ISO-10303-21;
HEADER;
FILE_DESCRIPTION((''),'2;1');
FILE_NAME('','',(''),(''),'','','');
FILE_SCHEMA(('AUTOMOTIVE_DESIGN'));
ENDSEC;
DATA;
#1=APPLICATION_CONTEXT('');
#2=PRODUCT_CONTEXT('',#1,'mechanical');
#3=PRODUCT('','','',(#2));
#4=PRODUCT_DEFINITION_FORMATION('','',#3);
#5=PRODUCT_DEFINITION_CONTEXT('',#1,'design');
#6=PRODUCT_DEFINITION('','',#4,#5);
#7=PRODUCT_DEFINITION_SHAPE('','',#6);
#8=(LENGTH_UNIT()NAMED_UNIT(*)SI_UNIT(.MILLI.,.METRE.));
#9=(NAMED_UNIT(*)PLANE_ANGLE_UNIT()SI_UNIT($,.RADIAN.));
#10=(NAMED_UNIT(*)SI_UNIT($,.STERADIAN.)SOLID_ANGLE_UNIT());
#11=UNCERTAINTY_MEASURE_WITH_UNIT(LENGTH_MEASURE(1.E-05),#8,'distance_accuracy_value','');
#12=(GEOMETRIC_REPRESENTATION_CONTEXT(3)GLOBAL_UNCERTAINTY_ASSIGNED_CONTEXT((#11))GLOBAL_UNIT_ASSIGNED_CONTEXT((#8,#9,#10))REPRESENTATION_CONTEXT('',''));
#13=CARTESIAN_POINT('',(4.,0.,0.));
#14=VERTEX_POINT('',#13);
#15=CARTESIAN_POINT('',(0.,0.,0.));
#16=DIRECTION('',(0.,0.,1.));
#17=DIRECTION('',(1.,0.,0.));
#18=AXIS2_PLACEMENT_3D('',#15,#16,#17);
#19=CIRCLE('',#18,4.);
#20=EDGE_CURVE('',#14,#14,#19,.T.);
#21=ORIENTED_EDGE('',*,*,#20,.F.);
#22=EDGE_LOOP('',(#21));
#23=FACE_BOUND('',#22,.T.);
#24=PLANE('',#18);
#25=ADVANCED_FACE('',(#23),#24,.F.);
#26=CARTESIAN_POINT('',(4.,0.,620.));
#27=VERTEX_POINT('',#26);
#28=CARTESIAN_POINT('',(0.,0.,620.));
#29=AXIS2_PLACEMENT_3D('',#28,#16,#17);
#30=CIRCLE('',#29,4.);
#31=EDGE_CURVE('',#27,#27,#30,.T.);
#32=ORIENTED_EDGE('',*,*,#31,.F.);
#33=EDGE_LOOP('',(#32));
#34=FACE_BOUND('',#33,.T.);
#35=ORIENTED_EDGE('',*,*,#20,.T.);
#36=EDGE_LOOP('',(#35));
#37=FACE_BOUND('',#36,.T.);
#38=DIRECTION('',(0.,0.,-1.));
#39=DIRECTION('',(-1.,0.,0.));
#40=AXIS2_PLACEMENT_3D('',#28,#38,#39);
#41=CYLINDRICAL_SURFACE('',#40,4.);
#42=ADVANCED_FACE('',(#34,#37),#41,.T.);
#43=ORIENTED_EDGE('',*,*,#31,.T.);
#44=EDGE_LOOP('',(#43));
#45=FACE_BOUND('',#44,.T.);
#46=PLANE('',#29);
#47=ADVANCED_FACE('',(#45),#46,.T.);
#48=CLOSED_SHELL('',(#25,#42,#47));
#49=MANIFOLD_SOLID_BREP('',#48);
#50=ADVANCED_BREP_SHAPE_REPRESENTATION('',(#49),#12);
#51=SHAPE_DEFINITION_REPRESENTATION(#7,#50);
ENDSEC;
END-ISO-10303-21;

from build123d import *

# Parameters (mm, degrees)
ESQUISSE1_R        = 4
BOSS_EXTRU_1_DEPTH = 620


with BuildPart() as part:
    # Esquisse1 → Boss.-Extru.1 (new body)
    with BuildSketch(Plane.XY):
        Circle(ESQUISSE1_R)
    extrude(amount=BOSS_EXTRU_1_DEPTH)


solid = part.part
